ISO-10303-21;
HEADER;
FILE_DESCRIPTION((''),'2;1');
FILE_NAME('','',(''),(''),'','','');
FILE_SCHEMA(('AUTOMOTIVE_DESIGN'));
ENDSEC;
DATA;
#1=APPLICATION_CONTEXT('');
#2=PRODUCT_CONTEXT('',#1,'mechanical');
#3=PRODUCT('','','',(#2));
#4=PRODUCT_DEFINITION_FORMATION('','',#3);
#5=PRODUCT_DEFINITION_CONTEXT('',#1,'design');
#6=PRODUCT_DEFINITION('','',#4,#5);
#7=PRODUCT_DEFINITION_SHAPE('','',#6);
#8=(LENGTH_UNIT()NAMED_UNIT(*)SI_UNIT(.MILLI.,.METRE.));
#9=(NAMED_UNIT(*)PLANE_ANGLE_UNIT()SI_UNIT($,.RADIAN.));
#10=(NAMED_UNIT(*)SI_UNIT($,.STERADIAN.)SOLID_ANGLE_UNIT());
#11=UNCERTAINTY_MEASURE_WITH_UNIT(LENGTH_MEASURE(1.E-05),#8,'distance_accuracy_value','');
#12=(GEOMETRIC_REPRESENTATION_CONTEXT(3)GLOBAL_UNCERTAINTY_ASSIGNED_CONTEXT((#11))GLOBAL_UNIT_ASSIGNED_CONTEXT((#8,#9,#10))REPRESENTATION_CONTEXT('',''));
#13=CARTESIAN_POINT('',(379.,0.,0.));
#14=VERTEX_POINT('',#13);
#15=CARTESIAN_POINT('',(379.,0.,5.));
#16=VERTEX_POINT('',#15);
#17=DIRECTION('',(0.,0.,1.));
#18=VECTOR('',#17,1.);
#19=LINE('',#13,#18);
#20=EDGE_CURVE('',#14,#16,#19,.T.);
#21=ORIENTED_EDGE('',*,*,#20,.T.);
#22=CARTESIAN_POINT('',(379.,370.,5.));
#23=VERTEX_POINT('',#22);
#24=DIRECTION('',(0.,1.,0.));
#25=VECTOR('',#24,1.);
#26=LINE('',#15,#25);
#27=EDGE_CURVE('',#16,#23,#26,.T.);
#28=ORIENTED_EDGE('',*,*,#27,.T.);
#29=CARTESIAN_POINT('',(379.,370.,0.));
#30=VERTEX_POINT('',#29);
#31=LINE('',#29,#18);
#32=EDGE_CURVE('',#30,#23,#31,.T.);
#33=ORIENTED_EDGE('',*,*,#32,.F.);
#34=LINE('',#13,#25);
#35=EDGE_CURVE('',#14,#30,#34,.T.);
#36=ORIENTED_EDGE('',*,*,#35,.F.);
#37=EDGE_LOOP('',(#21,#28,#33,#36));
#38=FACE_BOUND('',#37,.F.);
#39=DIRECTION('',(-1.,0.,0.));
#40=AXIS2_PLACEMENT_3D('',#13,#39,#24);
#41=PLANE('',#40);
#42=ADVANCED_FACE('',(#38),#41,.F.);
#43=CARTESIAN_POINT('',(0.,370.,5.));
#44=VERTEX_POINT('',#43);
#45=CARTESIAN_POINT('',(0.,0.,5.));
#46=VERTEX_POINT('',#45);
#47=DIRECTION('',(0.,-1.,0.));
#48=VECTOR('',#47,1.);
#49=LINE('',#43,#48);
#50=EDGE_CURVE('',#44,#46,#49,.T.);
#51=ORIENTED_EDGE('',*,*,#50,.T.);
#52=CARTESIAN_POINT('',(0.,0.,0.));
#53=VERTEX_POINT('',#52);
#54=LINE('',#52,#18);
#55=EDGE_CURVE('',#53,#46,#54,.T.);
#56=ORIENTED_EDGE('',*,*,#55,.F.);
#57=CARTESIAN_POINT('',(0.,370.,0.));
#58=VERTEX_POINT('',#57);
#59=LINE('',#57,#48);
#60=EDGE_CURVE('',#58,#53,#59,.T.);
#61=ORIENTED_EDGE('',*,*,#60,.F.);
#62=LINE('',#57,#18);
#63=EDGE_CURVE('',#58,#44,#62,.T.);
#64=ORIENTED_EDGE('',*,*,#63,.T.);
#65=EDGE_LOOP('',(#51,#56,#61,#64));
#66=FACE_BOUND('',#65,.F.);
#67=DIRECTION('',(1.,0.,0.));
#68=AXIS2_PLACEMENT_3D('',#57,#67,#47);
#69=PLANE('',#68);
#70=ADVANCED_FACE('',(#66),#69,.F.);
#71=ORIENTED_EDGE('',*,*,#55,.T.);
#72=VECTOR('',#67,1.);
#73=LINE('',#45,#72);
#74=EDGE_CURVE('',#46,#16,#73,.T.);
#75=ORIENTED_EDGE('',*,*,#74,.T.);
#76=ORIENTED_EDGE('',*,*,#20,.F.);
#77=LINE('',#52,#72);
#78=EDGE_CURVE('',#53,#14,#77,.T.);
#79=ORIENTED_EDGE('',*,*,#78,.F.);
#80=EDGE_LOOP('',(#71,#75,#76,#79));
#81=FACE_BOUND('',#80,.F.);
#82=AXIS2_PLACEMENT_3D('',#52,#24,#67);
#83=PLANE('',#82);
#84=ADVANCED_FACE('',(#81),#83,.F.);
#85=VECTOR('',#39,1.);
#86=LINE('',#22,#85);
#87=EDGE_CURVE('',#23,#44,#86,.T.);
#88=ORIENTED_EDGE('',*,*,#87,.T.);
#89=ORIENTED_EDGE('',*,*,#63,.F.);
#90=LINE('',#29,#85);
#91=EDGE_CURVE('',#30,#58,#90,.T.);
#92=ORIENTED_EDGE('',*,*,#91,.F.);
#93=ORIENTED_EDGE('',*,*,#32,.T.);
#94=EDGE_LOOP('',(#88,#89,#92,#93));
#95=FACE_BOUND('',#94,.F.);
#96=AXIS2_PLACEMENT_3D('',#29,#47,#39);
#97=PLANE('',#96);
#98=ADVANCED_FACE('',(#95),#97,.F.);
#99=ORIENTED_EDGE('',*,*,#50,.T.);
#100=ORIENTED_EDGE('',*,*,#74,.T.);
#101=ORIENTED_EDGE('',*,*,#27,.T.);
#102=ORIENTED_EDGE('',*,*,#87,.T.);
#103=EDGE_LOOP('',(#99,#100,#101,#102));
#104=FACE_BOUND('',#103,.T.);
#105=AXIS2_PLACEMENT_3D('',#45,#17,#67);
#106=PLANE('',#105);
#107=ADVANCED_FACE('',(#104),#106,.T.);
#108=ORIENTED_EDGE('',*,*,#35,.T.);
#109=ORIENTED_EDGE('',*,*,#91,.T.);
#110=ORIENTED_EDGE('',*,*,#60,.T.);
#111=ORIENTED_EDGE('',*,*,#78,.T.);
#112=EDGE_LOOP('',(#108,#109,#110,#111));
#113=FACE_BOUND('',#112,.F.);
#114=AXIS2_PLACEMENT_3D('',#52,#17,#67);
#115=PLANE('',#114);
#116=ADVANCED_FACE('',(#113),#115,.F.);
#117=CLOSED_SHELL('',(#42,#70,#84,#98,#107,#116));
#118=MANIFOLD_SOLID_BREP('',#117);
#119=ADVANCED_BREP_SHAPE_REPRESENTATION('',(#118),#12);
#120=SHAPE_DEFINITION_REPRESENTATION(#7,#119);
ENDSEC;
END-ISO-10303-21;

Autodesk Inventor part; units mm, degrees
ref_plane "YZ Plane" through (0, 0, 0) normal (1, 0, 0) x (0, 1, 0)
ref_plane "XZ Plane" through (0, 0, 0) normal (0, 1, 0) x (-1, 0, 0)
ref_plane "XY Plane" through (0, 0, 0) normal (0, 0, 1) x (1, 0, 0)
sketch "Sketch1" plane through (0, 0, 0) normal (0, 0, 1) x (1, 0, 0)
  line L0 (0, 0) -> (379, 0)
  line L1 (379, 0) -> (379, 370)
  line L2 (379, 370) -> (0, 370)
  line L3 (0, 370) -> (0, 0)
  dimension "d0" = 379
  dimension "d1" = 370
extrude "Extrusion1" add sketch "Sketch1" along normal blind 5
equation "\"d0\" = tankl"
equation "\"d1\" = tankh"
equation "\"d2\" = pvct"
equation "\"lcsd\" = 19.05"
equation "\"lcwd1\" = 25"
equation "\"lcwd2\" = 34"
equation "\"lch1\" = 39"
equation "\"lcwd3\" = 43"
equation "\"dia1\" = 6"
equation "\"td\" = 18"
equation "\"bhh\" = 6"
equation "\"sw\" = 25"
equation "\"sh\" = 31"
equation "\"spacert\" = 2"
equation "\"pvct\" = 5"
equation "\"tankh\" = 370"
equation "\"tankl\" = 379"
equation "\"dia3\" = 8"
equation "\"dia4\" = 11"
equation "\"play\" = 9"
equation "\"holeh\" = 26"
equation "\"surroundt\" = 5"
equation "\"slack\" = 0.5"
equation "\"play2\" = 3"
equation "\"diacucl\" = 32"
equation "\"diawater\" = 25"
equation "\"diaoverflow\" = 25"
equation "\"diaph\" = 32"
equation "\"diaair\" = 32"
equation "\"diasurroundhole\" = 42"
equation "\"diagrate\" = 12"
equation "\"gratespacing\" = 12.02082"
equation "\"sidedist\" = 13.9375"
equation "\"bottomdist\" = 9.6355"
equation "\"diahcl\" = 32"
equation "\"bracketwtop\" = 6"
equation "\"bracketwbottom\" = 6"
equation "\"nett\" = 1"
equation "\"nethole\" = 16"
equation "\"netside\" = 3.5"
equation "\"nettop\" = 7"
equation "\"netholespacing\" = 2"
equation "\"diaetape\" = 32"
properties part number "tank_side" material "PVC-Piping"
